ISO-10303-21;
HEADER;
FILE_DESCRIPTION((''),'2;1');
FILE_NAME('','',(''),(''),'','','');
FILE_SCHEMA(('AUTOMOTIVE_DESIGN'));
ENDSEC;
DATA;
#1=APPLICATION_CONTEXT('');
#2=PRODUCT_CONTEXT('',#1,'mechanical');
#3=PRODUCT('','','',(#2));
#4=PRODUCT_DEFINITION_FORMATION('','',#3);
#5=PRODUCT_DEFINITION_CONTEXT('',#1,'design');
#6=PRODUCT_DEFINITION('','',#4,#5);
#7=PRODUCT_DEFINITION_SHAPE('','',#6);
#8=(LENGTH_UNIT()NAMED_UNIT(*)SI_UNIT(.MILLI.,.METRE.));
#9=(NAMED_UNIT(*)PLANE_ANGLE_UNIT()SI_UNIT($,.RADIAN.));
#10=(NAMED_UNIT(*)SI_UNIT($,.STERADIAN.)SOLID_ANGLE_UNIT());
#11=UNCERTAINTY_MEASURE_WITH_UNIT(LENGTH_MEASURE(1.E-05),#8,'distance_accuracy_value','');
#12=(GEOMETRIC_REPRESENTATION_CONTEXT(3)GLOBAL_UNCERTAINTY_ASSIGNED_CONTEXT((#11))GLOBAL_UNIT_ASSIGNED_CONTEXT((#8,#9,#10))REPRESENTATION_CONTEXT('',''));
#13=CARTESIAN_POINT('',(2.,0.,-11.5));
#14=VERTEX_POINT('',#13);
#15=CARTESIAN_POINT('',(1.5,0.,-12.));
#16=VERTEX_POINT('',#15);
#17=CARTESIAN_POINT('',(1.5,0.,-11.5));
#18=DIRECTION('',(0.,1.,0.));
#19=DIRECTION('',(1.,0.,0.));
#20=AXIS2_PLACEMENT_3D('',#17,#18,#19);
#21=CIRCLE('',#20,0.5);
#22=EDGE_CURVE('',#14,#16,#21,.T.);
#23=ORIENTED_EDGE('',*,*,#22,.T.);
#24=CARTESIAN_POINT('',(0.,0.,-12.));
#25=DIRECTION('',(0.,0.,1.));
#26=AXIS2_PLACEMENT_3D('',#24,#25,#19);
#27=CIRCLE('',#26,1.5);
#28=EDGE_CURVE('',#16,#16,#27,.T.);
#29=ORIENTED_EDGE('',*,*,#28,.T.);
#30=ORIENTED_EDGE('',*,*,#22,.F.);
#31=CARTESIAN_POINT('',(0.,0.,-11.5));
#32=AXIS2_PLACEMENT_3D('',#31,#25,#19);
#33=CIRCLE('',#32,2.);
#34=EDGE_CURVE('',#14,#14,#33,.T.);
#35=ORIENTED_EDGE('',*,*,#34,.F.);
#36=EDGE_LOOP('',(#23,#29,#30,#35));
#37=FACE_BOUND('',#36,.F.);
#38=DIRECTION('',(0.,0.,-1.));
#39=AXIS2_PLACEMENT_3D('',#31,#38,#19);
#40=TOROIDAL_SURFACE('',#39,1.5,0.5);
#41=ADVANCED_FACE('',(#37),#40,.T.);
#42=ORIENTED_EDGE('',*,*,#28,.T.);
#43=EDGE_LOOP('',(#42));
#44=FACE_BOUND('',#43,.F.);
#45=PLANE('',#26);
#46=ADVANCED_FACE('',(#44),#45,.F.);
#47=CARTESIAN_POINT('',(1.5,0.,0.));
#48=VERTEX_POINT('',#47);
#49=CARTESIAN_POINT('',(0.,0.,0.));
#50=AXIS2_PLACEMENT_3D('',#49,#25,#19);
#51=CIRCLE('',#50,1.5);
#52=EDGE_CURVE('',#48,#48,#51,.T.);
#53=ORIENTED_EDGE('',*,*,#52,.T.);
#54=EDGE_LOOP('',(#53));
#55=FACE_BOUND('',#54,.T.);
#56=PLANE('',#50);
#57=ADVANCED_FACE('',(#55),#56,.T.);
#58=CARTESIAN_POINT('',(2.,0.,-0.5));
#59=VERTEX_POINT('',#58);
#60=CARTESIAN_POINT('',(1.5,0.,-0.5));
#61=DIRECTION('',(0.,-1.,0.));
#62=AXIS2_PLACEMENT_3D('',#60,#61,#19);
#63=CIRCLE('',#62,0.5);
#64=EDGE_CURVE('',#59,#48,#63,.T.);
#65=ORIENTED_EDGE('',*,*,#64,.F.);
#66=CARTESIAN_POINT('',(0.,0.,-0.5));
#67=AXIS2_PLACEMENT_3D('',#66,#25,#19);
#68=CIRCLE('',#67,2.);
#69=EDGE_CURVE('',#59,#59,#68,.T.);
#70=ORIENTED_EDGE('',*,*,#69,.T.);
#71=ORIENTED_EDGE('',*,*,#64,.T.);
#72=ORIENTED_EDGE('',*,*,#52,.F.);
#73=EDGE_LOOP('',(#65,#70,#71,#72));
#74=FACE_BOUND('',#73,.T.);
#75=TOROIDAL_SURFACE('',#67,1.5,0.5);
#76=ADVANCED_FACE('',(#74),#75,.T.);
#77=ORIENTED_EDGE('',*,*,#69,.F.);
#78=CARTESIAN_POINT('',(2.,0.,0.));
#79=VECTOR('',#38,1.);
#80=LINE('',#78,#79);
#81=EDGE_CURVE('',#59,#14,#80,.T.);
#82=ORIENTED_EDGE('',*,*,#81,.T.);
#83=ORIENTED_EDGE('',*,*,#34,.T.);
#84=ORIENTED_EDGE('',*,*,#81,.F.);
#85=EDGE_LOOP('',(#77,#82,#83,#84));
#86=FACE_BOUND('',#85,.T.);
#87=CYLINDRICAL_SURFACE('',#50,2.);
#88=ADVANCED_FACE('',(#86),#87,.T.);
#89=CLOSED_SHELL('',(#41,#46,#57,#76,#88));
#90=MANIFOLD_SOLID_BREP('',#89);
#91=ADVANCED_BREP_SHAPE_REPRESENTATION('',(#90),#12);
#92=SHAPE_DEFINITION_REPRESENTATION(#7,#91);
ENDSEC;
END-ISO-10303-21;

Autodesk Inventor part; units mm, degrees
ref_plane "YZ Plane" through (0, 0, 0) normal (1, 0, 0) x (0, 1, 0)
ref_plane "XZ Plane" through (0, 0, 0) normal (0, 1, 0) x (-1, 0, 0)
ref_plane "XY Plane" through (0, 0, 0) normal (0, 0, 1) x (1, 0, 0)
sketch "Sketch1" plane through (0, 0, 0) normal (0, 0, 1) x (1, 0, 0)
  circle A0 centre (0, 0) radius 2
  dimension "d0" = 4
extrude "Extrusion1" add sketch "Sketch1" against normal blind 12
fillet "Fillet1" radius 0.5 2 edges at (-2, 0, 0) (-2, 0, -12)
properties part number "10.2"
